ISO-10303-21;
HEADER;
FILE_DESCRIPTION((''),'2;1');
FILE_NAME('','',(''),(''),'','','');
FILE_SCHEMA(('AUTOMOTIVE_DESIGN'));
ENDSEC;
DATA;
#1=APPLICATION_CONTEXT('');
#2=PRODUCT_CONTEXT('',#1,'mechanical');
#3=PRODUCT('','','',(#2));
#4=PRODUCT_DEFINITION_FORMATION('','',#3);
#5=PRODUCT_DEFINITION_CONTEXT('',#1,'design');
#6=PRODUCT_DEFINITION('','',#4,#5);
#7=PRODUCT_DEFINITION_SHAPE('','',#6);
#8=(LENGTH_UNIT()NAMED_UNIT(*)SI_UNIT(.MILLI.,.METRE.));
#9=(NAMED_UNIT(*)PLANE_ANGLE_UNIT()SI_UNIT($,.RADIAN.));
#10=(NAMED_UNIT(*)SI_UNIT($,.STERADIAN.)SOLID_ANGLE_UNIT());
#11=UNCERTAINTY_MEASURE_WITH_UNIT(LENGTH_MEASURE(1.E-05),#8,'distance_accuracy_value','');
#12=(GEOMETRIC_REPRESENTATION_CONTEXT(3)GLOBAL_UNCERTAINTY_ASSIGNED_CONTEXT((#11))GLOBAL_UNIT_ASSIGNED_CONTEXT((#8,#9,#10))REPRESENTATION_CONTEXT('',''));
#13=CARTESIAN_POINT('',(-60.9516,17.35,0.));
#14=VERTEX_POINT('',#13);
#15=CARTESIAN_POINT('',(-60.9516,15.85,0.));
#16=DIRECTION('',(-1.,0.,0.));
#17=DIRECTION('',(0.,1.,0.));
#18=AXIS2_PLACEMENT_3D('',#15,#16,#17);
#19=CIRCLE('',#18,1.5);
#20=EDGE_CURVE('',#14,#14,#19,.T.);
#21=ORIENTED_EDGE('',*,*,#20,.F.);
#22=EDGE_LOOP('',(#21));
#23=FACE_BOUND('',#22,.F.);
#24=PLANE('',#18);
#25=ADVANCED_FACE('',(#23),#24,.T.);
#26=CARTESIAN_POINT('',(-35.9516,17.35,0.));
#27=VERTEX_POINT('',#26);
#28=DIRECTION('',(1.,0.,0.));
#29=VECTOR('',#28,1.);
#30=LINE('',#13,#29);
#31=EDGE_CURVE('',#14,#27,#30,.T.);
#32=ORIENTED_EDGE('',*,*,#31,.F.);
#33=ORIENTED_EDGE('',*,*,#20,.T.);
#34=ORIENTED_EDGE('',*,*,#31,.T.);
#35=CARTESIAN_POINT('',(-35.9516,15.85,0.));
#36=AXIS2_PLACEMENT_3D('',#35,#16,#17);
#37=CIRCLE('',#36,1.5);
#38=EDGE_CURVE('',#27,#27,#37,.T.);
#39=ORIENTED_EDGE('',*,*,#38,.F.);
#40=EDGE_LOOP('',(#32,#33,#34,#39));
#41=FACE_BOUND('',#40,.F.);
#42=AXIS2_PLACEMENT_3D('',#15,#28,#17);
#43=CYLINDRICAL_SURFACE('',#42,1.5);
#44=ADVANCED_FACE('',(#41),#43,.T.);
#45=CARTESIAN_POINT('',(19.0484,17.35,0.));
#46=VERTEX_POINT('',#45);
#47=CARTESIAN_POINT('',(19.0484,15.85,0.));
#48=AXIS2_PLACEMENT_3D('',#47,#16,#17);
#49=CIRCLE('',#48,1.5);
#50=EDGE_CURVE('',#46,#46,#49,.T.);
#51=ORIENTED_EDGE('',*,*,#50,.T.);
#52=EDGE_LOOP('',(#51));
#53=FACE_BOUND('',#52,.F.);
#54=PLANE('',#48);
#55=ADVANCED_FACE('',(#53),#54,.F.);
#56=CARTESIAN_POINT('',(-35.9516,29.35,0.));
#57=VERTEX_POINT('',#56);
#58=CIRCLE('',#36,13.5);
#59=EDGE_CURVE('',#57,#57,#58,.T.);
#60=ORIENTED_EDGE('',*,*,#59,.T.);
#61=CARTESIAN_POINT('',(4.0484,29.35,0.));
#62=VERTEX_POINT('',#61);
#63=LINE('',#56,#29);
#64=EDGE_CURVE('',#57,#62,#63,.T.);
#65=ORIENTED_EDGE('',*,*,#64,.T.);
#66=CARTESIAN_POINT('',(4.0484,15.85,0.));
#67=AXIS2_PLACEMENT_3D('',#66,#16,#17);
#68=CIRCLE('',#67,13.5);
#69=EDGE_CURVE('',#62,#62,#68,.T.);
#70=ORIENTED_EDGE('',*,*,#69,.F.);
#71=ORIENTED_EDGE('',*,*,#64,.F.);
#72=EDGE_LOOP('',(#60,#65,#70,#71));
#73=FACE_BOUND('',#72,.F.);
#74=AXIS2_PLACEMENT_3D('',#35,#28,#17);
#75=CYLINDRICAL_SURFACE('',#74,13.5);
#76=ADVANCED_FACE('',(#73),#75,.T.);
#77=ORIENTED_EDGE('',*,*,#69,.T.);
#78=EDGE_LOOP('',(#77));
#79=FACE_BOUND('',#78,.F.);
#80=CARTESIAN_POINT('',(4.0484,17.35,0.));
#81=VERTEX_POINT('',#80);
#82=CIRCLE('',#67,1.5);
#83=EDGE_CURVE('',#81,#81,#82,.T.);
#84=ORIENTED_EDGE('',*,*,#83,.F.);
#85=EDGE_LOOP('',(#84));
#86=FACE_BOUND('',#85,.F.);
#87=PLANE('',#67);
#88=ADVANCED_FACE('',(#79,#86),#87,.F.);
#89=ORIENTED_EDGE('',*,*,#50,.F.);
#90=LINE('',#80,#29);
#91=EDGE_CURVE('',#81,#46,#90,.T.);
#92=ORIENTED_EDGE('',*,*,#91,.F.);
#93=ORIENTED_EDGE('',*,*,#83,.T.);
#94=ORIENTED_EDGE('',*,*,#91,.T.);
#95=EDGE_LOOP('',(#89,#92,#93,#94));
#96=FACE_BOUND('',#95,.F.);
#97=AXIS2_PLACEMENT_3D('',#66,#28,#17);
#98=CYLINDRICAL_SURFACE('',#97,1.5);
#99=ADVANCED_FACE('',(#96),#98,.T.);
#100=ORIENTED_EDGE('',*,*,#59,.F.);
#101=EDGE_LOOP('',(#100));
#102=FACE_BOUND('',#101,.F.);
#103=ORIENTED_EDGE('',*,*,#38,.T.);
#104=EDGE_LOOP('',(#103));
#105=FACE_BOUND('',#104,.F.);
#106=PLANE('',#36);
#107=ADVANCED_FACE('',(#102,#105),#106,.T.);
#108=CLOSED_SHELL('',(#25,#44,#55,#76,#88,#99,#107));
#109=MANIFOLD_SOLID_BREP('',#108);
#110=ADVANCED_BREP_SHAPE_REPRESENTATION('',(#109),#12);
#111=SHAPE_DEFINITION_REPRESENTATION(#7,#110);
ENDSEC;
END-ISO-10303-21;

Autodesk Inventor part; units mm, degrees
ref_plane "YZ Plane" through (0, 0, 0) normal (1, 0, 0) x (0, 1, 0)
ref_plane "XZ Plane" through (0, 0, 0) normal (0, 1, 0) x (-1, 0, 0)
ref_plane "XY Plane" through (0, 0, 0) normal (0, 0, 1) x (1, 0, 0)
sketch "Sketch1" plane through (0, 0, 0) normal (0, 0, 1) x (1, 0, 0)
  line L0 (-60.9516, 17.35) -> (-35.9516, 17.35)
  line L1 (-35.9516, 17.35) -> (-35.9516, 29.35)
  line L2 (-35.9516, 29.35) -> (4.0484, 29.35)
  line L3 (4.0484, 29.35) -> (4.0484, 17.35)
  line L4 (4.0484, 17.35) -> (19.0484, 17.35)
  line L5 (19.0484, 17.35) -> (19.0484, 15.85)
  line L6 (19.0484, 15.85) -> (-60.9516, 15.85)
  line L7 (-60.9516, 15.85) -> (-60.9516, 17.35)
  point P0 (0, 0)
  dimension "d2" = 1.5
  dimension "d3" = 12
  dimension "d4" = 40
  dimension "d5" = 15
  dimension "d6" = 25
revolve "Revolution1" add sketch "Sketch1" angle 360 about axis through (19.0484, 15.85, 0) along (-1, 0, 0)
properties part number "Rotor"
